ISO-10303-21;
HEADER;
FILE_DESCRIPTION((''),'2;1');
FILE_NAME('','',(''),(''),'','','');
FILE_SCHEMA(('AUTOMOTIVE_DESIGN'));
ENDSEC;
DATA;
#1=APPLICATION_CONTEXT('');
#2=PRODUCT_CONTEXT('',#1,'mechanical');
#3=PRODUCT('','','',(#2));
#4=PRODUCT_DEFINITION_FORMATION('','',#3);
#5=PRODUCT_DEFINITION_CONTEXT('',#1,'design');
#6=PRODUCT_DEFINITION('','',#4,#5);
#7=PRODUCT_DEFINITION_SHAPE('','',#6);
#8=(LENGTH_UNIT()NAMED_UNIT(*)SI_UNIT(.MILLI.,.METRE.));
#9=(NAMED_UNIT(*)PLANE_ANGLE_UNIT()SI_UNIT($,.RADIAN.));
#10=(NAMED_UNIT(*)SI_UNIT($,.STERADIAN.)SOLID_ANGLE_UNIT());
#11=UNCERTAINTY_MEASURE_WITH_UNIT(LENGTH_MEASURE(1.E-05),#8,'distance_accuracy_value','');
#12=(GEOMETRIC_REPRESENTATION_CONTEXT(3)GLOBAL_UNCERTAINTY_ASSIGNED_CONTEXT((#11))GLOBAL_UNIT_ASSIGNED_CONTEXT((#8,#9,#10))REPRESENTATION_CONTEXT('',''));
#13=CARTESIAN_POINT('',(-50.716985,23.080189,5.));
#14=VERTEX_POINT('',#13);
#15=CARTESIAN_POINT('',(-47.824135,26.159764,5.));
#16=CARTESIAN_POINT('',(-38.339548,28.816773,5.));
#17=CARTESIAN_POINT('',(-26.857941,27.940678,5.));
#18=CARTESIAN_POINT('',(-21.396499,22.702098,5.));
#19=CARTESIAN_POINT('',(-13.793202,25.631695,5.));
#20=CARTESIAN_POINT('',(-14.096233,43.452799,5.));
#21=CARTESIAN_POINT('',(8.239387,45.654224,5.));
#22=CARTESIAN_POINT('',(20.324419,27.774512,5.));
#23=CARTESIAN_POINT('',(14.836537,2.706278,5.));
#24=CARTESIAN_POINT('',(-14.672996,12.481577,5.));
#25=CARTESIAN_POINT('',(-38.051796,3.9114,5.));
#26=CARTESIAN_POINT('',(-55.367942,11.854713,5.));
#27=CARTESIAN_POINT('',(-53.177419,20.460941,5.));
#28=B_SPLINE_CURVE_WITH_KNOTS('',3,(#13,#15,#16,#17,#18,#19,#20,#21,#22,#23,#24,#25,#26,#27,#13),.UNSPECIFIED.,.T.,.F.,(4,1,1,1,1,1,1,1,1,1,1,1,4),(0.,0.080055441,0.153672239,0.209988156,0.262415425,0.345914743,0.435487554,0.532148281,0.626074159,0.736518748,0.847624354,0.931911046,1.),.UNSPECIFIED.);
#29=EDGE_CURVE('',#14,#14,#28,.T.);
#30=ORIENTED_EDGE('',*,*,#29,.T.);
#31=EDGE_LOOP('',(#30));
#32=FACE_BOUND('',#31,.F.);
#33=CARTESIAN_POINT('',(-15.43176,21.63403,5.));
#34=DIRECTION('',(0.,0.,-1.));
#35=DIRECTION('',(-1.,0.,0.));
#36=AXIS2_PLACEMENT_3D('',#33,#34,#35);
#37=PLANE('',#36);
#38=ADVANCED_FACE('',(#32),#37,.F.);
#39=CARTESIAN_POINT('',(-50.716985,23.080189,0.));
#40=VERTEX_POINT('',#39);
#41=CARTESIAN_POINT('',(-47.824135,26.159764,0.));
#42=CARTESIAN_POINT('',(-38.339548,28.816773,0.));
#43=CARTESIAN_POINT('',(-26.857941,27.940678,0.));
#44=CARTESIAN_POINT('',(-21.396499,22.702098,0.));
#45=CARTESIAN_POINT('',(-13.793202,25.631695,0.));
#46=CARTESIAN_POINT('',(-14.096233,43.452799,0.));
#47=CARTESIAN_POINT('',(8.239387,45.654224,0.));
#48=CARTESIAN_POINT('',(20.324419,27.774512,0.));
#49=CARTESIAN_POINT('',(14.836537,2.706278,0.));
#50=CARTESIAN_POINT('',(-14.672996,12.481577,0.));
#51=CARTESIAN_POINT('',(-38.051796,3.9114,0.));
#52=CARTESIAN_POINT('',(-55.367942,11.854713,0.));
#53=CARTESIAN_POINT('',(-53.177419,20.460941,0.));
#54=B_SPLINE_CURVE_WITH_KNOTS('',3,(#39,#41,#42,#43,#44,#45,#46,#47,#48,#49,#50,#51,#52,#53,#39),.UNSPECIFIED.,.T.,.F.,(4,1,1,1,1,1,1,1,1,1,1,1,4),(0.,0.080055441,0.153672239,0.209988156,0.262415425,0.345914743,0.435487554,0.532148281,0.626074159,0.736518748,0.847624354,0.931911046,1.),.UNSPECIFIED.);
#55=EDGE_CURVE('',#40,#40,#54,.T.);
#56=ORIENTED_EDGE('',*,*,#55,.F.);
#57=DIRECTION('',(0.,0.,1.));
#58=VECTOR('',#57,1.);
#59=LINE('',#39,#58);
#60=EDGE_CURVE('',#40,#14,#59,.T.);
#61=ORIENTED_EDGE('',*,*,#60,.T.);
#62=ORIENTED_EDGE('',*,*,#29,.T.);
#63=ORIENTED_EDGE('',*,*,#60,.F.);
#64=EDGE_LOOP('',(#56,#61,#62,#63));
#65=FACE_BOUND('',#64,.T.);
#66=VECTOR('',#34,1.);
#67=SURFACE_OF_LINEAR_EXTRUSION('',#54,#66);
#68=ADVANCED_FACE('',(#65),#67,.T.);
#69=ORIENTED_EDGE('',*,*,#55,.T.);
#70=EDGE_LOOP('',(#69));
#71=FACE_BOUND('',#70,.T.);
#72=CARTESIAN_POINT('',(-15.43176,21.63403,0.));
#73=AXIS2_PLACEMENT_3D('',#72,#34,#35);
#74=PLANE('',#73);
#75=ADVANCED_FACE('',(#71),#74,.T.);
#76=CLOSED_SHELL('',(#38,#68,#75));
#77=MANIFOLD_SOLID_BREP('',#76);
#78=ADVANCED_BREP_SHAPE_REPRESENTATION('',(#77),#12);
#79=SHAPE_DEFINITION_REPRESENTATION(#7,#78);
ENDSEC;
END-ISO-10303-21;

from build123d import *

# Parameters (mm, degrees)
F1_DEPTH = 5


with BuildPart() as f1:
    # F0 (on Top) → F1 (new body)
    with BuildSketch(Plane.XY):
        with BuildLine():
            add(Edge.make_bspline(
                [(-50.7169850171, 23.080188781), (-47.8241351192, 26.1597641719), (-38.3395479494, 28.8167733778), (-26.857940822, 27.9406781516), (-21.3964987589, 22.7020980068), (-13.7932016456, 25.6316945332), (-14.0962325705, 43.4527986609), (8.2393870538, 45.6542239439), (20.324419304, 27.7745120035), (14.8365366164, 2.706278263), (-14.672995748, 12.4815774318), (-38.0517963409, 3.9113998397), (-55.3679421012, 11.8547125699), (-53.1774189582, 20.4609406059), (-50.7169850171, 23.080188781)],
                knots=[0, 0, 0, 0, 0.0800554409, 0.1536722394, 0.2099881562, 0.2624154253, 0.3459147428, 0.4354875538, 0.5321482808, 0.6260741594, 0.736518748, 0.8476243538, 0.9319110459, 1, 1, 1, 1], degree=3))
        make_face()
    extrude(amount=F1_DEPTH)


solid = f1.part
